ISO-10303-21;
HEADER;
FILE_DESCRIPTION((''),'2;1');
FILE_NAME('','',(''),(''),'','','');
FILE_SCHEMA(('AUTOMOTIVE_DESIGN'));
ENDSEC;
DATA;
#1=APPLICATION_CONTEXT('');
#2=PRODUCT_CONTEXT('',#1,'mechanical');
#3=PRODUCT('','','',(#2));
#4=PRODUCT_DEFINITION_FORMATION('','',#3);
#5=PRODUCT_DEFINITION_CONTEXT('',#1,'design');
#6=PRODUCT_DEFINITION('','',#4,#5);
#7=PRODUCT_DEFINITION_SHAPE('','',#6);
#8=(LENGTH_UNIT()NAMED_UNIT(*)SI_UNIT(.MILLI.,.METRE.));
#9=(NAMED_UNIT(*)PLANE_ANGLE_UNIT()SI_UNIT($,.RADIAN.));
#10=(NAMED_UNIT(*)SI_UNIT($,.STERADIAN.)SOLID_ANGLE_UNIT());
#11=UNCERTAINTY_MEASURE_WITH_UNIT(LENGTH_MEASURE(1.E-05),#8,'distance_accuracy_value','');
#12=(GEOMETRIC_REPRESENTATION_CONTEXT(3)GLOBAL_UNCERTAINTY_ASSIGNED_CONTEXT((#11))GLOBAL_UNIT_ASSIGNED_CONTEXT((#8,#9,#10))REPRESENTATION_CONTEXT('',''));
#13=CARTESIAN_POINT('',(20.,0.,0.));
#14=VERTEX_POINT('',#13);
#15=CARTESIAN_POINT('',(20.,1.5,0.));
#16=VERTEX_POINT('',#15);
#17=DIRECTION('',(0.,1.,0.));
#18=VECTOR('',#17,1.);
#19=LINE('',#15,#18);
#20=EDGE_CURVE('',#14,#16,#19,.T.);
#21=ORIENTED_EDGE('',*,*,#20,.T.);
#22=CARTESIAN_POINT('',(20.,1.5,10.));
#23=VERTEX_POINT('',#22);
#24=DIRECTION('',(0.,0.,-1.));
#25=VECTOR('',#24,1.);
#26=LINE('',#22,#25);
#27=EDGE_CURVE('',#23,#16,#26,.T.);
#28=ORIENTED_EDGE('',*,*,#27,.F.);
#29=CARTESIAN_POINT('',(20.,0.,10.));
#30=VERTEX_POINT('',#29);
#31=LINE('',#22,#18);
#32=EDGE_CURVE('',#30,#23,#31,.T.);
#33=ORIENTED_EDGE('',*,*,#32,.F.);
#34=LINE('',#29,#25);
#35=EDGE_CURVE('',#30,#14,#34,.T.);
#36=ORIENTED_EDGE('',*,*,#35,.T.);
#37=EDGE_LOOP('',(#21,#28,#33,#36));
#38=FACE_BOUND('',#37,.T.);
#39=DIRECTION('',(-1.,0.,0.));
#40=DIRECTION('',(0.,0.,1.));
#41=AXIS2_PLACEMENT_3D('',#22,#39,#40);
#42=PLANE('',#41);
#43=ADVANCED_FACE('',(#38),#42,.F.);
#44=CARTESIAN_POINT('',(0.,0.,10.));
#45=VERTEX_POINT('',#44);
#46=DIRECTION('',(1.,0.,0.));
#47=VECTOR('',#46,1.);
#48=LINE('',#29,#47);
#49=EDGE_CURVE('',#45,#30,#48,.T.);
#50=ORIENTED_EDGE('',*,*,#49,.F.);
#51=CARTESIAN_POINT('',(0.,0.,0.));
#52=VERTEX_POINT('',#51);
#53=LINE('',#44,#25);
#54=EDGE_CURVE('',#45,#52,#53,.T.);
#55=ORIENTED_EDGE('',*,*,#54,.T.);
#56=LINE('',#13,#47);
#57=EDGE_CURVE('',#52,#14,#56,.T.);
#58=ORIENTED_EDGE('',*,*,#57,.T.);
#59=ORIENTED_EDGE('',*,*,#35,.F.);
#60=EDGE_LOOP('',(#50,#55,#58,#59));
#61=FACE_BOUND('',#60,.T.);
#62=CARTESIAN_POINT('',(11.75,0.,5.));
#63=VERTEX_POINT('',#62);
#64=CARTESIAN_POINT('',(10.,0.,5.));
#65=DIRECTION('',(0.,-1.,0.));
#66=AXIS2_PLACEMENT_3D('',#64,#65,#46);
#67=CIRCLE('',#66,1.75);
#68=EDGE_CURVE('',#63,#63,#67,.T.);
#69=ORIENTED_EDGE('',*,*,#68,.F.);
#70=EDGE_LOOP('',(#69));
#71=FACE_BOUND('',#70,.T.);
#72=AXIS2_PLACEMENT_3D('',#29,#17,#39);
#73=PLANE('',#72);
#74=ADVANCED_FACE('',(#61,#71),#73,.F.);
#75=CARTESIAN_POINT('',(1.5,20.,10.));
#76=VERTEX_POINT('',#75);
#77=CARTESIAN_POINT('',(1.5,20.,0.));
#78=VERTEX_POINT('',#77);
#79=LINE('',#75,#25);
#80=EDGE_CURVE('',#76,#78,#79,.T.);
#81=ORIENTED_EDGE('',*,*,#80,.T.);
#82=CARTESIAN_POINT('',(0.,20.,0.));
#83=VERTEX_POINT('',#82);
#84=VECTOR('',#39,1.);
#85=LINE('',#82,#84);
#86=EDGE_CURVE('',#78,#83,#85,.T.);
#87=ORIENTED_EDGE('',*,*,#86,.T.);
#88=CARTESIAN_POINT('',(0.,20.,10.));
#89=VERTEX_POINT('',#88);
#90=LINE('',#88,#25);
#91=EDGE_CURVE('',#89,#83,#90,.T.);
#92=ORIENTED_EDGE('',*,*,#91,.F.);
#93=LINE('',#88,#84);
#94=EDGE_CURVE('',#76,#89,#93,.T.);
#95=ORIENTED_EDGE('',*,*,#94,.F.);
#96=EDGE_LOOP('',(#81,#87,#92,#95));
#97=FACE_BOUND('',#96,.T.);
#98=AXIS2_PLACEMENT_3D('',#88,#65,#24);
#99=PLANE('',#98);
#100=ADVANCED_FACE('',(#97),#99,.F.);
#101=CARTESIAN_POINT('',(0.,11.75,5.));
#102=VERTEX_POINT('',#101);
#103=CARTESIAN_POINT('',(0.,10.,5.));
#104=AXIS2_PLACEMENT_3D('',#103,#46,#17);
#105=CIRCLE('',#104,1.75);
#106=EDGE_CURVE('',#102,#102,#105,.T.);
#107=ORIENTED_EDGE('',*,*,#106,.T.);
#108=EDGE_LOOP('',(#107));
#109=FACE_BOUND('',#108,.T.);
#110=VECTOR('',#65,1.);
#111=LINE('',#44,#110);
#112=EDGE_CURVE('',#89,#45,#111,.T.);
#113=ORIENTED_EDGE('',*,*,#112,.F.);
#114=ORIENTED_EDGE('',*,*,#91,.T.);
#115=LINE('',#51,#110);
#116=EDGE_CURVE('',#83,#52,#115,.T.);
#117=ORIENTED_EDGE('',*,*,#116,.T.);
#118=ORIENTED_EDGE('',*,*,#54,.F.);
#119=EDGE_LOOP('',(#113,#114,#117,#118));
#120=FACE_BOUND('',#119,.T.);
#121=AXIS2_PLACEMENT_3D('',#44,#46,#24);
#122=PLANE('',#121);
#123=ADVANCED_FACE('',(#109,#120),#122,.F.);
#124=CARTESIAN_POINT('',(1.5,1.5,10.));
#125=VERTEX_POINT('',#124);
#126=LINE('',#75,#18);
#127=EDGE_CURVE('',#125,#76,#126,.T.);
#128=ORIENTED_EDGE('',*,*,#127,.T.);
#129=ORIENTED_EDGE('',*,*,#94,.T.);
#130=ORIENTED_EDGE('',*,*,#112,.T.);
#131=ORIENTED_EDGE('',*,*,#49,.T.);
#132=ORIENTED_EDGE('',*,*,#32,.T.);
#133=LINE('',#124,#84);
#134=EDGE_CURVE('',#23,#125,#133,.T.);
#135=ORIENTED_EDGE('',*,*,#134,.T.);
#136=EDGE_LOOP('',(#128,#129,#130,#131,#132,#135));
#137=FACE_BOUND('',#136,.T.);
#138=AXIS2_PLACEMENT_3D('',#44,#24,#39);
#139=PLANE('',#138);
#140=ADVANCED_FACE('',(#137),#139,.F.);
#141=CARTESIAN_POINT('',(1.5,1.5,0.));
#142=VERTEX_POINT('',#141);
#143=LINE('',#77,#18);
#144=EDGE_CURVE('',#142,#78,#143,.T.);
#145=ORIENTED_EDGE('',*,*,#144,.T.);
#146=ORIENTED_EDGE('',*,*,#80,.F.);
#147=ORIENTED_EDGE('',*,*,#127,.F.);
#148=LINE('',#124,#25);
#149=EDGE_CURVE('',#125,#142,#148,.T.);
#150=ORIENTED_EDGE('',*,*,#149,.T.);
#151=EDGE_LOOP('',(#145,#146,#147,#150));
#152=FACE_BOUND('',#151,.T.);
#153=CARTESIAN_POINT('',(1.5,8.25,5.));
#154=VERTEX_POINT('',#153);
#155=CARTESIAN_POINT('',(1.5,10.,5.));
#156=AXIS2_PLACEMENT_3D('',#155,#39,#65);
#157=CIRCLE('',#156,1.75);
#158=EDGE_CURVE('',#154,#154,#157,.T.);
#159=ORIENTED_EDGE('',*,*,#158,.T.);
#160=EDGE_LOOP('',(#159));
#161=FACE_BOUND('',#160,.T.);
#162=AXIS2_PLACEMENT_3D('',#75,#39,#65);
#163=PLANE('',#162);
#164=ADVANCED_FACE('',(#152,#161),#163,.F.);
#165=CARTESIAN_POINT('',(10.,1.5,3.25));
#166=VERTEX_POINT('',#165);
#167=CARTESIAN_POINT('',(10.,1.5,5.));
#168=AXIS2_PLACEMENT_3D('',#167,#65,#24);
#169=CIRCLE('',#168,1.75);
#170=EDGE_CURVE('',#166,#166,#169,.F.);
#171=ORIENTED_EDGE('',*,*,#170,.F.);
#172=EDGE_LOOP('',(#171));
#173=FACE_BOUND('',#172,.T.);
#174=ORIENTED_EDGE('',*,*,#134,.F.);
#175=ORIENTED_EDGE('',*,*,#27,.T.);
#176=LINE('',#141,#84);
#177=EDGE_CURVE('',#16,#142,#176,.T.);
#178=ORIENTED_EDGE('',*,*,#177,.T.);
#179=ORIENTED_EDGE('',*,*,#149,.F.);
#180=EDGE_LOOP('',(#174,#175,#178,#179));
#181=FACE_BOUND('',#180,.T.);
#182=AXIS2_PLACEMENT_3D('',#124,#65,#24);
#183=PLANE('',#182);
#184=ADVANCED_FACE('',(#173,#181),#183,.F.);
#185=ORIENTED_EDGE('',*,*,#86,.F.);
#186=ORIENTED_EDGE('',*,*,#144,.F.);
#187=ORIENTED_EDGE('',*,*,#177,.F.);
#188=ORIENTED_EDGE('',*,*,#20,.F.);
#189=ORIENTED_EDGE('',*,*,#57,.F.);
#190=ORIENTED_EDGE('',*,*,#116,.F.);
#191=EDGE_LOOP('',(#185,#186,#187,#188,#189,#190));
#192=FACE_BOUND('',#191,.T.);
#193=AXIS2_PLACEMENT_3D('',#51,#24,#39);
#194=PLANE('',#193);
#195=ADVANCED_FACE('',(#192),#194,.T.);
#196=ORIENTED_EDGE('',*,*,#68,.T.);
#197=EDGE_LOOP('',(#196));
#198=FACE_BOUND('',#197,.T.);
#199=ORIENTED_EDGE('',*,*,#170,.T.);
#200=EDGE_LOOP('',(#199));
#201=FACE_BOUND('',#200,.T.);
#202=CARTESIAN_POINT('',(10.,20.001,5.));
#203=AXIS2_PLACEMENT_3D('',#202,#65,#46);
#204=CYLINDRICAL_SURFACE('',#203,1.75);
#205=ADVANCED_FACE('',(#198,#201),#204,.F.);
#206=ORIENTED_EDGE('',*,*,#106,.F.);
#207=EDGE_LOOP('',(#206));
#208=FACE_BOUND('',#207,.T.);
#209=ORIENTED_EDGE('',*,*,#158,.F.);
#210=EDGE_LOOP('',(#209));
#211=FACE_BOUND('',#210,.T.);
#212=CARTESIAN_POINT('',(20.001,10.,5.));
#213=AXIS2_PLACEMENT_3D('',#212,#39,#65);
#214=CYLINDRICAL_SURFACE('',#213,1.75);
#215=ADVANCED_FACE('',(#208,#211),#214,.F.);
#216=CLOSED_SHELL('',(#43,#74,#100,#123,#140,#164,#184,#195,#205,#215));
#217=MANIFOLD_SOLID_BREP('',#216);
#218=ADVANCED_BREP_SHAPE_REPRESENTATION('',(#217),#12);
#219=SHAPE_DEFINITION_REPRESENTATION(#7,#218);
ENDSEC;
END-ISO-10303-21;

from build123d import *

# Parameters (mm, degrees)
EXTRUDE_1_DEPTH     = 10
CUT_EXTRUDE_1_REACH = 32
SKETCH_3_R          = 1.75


with BuildPart() as part:
    # Эскиз2 → Бобышка-Вытянуть1 (new body)
    with BuildSketch(Plane.XY):
        Polygon((0, 0), (0, 20), (1.5, 20), (1.5, 1.5), (20, 1.5), (20, 0), align=None)
    extrude(amount=EXTRUDE_1_DEPTH)

    # Эскиз3 → Вырез-Вытянуть1 (cut, up to next)
    with BuildSketch(Plane.XZ, mode=Mode.PRIVATE) as cut_extrude_1_sk1:
        with Locations((10, 5)):
            Circle(SKETCH_3_R)
    cut_extrude_1_tool1 = extrude(cut_extrude_1_sk1.sketch, amount=-CUT_EXTRUDE_1_REACH, mode=Mode.PRIVATE) & part.part
    cut_extrude_1 = cut_extrude_1_tool1.solids().sort_by_distance((10, 0, 5))[0]
    add(cut_extrude_1, mode=Mode.SUBTRACT)

    # Зеркальное отражение1: Вырез-Вытянуть1 across plane
    add(cut_extrude_1.mirror(Plane(origin=(0, 0, 0), x_dir=(0, 0, 1), z_dir=(-0.7071067811865471, 0.7071067811865479, 0))), mode=Mode.SUBTRACT)


solid = part.part
